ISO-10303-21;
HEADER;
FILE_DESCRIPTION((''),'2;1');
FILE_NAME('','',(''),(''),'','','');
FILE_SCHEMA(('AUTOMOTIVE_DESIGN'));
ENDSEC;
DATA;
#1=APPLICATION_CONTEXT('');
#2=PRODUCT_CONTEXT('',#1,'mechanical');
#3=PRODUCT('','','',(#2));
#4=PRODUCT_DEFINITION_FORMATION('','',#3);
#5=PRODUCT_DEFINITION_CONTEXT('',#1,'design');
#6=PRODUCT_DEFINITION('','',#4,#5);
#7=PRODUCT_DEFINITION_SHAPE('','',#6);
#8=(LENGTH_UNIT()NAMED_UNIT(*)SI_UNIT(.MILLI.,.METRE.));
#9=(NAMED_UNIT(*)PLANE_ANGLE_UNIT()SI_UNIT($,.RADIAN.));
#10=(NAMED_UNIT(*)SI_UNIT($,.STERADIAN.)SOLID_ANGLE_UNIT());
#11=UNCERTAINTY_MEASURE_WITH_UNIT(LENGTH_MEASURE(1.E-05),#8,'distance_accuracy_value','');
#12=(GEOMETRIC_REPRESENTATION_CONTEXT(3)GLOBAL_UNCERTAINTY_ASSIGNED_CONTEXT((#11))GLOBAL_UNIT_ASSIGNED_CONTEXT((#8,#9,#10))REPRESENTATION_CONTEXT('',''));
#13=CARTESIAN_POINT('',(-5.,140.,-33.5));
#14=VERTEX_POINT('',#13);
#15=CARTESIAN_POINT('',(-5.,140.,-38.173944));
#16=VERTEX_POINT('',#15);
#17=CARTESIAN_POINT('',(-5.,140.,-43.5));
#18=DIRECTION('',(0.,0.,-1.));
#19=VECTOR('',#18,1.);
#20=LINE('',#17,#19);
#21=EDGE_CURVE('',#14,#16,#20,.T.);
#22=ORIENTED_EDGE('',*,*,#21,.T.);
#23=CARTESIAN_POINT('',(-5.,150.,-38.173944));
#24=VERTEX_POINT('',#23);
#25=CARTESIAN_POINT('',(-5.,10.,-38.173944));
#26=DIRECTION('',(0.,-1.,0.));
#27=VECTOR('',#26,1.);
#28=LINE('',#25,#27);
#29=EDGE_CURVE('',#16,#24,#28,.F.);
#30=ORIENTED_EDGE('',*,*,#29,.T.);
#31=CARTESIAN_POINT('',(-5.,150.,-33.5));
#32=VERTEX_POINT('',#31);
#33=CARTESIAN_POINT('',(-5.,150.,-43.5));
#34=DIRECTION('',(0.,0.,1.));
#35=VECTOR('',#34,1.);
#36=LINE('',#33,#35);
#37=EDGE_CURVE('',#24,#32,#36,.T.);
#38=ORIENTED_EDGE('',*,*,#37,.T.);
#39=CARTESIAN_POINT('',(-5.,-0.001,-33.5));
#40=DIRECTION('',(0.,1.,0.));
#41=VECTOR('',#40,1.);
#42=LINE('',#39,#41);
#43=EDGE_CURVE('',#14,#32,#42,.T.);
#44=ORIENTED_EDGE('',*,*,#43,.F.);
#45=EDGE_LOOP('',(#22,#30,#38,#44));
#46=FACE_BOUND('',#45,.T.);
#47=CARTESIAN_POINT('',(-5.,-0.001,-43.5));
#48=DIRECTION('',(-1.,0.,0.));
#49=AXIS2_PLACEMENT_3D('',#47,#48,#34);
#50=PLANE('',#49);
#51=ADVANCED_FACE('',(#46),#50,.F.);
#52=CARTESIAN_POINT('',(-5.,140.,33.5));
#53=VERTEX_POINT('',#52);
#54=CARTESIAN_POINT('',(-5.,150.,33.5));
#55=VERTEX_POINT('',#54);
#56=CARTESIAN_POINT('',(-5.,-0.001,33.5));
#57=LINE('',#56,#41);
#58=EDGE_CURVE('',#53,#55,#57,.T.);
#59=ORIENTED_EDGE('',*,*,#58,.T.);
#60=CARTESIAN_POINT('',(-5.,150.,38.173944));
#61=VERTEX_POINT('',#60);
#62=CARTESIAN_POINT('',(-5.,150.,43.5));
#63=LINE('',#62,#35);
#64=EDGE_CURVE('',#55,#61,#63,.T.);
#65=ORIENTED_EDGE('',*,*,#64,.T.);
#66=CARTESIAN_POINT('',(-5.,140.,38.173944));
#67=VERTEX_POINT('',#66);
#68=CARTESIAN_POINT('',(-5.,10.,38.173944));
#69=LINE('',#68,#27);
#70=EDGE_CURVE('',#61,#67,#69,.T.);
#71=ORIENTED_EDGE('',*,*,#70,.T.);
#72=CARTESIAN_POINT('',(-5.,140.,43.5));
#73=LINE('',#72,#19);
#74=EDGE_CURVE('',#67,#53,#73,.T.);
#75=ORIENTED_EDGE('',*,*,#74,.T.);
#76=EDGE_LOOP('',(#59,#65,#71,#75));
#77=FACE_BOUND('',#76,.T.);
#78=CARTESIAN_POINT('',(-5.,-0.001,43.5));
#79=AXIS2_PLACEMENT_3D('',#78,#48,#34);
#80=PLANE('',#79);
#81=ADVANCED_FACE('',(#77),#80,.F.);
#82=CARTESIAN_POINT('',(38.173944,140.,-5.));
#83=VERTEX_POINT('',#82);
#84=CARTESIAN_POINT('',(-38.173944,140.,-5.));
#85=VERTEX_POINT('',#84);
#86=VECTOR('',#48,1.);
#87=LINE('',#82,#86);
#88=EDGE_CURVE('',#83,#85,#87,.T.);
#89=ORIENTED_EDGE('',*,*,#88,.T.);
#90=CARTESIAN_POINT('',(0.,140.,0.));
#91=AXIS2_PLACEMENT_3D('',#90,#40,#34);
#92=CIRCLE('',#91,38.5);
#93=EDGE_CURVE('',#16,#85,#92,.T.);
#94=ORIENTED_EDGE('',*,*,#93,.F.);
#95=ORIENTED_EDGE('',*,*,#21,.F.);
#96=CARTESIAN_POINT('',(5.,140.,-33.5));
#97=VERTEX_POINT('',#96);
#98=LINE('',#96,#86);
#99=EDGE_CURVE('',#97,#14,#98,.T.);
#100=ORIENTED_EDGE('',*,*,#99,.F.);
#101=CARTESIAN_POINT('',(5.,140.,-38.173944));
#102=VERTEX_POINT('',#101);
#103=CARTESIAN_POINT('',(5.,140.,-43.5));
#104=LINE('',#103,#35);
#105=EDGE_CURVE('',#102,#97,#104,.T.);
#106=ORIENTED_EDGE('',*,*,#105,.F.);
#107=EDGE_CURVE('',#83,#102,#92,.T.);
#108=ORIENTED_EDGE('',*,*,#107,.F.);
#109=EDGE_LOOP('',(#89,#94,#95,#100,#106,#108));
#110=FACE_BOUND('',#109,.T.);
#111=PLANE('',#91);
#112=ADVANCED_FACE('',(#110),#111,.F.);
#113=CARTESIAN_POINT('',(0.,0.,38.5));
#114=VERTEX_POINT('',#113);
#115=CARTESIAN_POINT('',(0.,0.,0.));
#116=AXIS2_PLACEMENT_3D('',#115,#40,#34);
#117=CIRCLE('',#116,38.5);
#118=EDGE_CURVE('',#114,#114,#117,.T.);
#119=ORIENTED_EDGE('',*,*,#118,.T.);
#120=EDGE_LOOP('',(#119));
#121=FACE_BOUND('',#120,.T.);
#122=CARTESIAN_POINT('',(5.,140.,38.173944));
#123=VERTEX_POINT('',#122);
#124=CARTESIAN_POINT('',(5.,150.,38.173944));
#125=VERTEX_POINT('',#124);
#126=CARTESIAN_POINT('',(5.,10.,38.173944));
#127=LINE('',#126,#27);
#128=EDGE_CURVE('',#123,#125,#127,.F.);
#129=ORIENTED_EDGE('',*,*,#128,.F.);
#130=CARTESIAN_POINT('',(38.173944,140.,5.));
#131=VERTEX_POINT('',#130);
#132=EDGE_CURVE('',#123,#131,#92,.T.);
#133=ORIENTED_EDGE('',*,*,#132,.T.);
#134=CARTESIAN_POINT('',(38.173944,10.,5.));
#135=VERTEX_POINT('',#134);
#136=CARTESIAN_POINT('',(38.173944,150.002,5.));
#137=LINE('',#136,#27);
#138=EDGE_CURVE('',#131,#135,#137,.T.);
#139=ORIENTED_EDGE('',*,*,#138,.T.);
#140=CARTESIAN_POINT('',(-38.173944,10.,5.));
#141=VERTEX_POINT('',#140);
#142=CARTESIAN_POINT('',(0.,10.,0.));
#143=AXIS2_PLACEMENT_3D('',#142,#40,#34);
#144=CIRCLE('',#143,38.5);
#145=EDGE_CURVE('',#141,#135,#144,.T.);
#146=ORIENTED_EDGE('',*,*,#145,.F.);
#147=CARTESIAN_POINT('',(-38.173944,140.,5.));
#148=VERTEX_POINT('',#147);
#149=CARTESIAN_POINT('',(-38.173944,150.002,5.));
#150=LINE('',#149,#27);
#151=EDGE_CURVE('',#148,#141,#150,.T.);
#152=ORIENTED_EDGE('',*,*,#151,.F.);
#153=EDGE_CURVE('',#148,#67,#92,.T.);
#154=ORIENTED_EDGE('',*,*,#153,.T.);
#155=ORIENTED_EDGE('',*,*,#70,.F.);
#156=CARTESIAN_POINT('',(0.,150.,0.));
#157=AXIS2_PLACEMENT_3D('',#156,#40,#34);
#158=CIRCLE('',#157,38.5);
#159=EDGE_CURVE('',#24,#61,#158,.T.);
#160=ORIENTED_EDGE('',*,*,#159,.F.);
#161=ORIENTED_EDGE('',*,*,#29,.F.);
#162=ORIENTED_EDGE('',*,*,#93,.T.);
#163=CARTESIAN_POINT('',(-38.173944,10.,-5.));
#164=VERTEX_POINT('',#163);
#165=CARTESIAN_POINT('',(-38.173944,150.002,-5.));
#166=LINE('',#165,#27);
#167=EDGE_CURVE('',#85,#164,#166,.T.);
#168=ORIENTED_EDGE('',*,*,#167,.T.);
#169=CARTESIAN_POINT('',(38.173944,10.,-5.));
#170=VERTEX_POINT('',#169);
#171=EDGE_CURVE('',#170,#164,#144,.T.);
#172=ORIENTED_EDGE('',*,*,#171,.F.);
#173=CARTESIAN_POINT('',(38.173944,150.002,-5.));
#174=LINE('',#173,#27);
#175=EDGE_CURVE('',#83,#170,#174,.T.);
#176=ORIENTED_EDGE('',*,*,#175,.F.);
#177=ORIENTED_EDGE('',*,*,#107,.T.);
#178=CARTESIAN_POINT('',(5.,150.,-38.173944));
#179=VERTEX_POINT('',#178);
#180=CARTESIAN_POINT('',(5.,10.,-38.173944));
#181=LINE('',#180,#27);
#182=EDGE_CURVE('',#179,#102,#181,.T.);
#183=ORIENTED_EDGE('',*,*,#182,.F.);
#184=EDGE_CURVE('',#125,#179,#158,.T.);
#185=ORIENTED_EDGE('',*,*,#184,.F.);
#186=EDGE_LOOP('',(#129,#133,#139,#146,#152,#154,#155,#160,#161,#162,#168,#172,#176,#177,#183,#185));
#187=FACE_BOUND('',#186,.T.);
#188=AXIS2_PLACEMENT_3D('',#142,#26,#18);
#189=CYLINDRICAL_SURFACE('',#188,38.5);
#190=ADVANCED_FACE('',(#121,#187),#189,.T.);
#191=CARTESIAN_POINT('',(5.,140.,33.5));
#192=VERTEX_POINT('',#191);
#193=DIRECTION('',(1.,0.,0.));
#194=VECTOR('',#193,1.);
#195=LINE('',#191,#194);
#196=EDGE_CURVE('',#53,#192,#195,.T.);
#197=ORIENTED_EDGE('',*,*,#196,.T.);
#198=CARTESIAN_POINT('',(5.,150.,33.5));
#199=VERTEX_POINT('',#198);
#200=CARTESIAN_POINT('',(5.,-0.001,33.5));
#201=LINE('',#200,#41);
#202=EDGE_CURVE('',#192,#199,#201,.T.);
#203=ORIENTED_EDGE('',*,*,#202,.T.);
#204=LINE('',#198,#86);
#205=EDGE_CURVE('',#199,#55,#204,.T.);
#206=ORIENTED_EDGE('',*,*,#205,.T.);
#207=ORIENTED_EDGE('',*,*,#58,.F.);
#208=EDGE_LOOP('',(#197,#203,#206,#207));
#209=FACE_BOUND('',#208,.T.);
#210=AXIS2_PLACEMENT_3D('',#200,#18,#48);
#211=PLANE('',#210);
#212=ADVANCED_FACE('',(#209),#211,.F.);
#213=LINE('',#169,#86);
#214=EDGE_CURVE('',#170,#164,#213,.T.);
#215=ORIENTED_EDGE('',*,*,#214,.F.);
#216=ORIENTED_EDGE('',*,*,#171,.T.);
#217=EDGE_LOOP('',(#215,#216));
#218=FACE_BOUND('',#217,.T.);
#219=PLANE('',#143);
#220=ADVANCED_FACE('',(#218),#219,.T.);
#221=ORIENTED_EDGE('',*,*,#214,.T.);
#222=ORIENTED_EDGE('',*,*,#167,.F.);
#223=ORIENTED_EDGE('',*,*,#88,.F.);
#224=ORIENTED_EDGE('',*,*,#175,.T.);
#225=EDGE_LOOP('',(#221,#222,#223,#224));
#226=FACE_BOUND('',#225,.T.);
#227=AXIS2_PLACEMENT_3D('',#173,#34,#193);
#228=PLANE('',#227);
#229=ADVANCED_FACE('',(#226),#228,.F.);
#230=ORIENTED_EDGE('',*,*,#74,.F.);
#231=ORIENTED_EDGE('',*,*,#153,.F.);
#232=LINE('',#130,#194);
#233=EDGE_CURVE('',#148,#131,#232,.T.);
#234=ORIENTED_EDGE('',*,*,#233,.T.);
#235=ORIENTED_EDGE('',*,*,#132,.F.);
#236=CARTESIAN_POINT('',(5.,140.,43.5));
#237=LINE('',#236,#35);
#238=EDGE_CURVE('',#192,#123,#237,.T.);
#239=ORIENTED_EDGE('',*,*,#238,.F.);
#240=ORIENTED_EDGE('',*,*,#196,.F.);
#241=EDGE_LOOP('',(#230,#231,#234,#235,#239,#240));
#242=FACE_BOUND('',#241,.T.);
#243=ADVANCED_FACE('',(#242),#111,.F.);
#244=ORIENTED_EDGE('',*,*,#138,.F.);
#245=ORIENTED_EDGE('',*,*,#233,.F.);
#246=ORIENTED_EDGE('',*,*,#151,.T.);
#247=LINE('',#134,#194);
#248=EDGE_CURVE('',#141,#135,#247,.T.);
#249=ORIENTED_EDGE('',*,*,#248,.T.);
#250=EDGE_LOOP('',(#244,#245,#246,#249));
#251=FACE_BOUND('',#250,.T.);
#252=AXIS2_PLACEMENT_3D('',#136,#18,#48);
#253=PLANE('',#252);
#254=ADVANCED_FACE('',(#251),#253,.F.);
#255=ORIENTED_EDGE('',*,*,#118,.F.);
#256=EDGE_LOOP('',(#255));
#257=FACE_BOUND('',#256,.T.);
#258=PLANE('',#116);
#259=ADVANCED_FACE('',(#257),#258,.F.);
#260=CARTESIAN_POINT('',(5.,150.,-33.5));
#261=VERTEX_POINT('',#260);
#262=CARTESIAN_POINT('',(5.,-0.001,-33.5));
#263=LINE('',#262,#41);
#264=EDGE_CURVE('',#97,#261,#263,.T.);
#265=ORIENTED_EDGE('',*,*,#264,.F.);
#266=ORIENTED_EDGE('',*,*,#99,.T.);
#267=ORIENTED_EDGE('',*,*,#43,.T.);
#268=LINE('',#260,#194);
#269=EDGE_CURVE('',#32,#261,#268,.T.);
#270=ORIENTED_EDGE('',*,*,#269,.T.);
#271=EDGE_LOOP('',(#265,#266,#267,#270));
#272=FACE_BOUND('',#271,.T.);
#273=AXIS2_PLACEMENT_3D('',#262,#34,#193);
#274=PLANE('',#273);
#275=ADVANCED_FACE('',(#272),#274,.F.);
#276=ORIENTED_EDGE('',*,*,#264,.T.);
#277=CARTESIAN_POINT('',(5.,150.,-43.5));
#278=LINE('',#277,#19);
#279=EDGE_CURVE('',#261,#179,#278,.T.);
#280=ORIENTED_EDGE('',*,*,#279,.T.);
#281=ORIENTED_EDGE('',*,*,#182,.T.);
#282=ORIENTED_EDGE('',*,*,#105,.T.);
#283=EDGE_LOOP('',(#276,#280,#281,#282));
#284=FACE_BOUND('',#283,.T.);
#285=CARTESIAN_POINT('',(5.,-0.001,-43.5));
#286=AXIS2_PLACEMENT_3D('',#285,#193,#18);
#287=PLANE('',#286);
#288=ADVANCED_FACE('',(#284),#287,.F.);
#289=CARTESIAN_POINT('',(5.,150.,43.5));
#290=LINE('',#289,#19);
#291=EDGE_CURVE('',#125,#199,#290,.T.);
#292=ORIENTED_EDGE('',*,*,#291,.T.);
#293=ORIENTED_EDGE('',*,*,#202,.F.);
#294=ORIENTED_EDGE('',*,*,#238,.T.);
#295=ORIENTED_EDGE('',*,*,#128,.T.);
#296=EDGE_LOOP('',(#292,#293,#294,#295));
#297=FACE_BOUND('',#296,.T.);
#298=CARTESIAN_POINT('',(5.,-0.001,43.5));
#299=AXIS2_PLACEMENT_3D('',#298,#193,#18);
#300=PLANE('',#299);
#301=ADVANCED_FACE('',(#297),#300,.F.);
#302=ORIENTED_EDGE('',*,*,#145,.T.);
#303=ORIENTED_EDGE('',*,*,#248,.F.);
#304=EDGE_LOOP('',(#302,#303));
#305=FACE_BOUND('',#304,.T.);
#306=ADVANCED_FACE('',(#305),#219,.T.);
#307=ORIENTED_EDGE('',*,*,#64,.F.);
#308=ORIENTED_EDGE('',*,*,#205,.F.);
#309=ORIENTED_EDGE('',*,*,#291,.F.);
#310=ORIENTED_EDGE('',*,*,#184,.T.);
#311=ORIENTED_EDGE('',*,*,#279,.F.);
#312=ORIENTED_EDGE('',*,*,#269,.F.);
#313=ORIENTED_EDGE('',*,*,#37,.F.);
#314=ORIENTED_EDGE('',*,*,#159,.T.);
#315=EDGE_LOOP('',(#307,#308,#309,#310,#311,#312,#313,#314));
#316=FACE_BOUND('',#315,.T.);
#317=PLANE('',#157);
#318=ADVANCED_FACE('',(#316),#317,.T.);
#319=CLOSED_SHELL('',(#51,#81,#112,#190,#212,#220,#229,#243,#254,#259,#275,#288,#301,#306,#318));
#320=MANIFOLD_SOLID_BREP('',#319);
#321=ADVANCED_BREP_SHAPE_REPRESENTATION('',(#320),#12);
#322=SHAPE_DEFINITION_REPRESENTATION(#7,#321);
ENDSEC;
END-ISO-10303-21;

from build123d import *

# Parameters (mm, degrees)
SKETCH1_R           = 38.5
BOSS_EXTRUDE1_DEPTH = 10
SKETCH2_R           = 38.5
BOSS_EXTRUDE2_DEPTH = 10
BOSS_EXTRUDE3_DEPTH = 140
CUT_EXTRUDE1_REACH  = 152
SKETCH4_W           = 10
SKETCH4_H           = 10


with BuildPart() as part:
    # Sketch1 → Boss-Extrude1 (new body)
    with BuildSketch(Plane(origin=(0, 0, 0), x_dir=(1, 0, 0), z_dir=(0, 1, 0))):
        Circle(SKETCH1_R)
    extrude(amount=BOSS_EXTRUDE1_DEPTH)



with BuildPart() as body_2:
    # Sketch2 → Boss-Extrude2 (new body)
    with BuildSketch(Plane(origin=(0, 150, 0), x_dir=(1, 0, 0), z_dir=(0, 1, 0))):
        Circle(SKETCH2_R)
    extrude(amount=-BOSS_EXTRUDE2_DEPTH)


with BuildPart() as part_1:
    add(part.part)

    add(body_2.part)  # Boss-Extrude3 merges body 2
    # Sketch3 → Boss-Extrude3 (add)
    with BuildSketch(Plane(origin=(0, 10, 0), x_dir=(1, 0, 0), z_dir=(0, 1, 0))):
        with BuildLine():
            Line((38.173943993, 5), (-38.173943993, 5))
            ThreePointArc((-38.173943993, 5), (-38.5, 0), (-38.173943993, -5))
            Line((-38.173943993, -5), (38.173943993, -5))
            ThreePointArc((38.173943993, -5), (38.5, 0), (38.173943993, 5))
        make_face()
    extrude(amount=BOSS_EXTRUDE3_DEPTH)

    # Sketch4 → Cut-Extrude1 (cut, up to next)
    with BuildSketch(Plane(origin=(0, 150, 0), x_dir=(1, 0, 0), z_dir=(0, 1, 0)), mode=Mode.PRIVATE) as cut_extrude1_sk1:
        with Locations((0, 38.5)):
            Rectangle(SKETCH4_W, SKETCH4_H)
    cut_extrude1_tool1 = extrude(cut_extrude1_sk1.sketch, amount=-CUT_EXTRUDE1_REACH, mode=Mode.PRIVATE) & part_1.part
    add(cut_extrude1_tool1.solids().sort_by_distance((0, 150, -38.5))[0], mode=Mode.SUBTRACT)
    # Sketch4 → Cut-Extrude1 (cut, up to next)
    with BuildSketch(Plane(origin=(0, 150, 0), x_dir=(1, 0, 0), z_dir=(0, 1, 0)), mode=Mode.PRIVATE) as cut_extrude1_sk2:
        with Locations((0, -38.5)):
            Rectangle(SKETCH4_W, SKETCH4_H)
    cut_extrude1_tool2 = extrude(cut_extrude1_sk2.sketch, amount=-CUT_EXTRUDE1_REACH, mode=Mode.PRIVATE) & part_1.part
    add(cut_extrude1_tool2.solids().sort_by_distance((0, 150, 38.5))[0], mode=Mode.SUBTRACT)


solid = part_1.part
